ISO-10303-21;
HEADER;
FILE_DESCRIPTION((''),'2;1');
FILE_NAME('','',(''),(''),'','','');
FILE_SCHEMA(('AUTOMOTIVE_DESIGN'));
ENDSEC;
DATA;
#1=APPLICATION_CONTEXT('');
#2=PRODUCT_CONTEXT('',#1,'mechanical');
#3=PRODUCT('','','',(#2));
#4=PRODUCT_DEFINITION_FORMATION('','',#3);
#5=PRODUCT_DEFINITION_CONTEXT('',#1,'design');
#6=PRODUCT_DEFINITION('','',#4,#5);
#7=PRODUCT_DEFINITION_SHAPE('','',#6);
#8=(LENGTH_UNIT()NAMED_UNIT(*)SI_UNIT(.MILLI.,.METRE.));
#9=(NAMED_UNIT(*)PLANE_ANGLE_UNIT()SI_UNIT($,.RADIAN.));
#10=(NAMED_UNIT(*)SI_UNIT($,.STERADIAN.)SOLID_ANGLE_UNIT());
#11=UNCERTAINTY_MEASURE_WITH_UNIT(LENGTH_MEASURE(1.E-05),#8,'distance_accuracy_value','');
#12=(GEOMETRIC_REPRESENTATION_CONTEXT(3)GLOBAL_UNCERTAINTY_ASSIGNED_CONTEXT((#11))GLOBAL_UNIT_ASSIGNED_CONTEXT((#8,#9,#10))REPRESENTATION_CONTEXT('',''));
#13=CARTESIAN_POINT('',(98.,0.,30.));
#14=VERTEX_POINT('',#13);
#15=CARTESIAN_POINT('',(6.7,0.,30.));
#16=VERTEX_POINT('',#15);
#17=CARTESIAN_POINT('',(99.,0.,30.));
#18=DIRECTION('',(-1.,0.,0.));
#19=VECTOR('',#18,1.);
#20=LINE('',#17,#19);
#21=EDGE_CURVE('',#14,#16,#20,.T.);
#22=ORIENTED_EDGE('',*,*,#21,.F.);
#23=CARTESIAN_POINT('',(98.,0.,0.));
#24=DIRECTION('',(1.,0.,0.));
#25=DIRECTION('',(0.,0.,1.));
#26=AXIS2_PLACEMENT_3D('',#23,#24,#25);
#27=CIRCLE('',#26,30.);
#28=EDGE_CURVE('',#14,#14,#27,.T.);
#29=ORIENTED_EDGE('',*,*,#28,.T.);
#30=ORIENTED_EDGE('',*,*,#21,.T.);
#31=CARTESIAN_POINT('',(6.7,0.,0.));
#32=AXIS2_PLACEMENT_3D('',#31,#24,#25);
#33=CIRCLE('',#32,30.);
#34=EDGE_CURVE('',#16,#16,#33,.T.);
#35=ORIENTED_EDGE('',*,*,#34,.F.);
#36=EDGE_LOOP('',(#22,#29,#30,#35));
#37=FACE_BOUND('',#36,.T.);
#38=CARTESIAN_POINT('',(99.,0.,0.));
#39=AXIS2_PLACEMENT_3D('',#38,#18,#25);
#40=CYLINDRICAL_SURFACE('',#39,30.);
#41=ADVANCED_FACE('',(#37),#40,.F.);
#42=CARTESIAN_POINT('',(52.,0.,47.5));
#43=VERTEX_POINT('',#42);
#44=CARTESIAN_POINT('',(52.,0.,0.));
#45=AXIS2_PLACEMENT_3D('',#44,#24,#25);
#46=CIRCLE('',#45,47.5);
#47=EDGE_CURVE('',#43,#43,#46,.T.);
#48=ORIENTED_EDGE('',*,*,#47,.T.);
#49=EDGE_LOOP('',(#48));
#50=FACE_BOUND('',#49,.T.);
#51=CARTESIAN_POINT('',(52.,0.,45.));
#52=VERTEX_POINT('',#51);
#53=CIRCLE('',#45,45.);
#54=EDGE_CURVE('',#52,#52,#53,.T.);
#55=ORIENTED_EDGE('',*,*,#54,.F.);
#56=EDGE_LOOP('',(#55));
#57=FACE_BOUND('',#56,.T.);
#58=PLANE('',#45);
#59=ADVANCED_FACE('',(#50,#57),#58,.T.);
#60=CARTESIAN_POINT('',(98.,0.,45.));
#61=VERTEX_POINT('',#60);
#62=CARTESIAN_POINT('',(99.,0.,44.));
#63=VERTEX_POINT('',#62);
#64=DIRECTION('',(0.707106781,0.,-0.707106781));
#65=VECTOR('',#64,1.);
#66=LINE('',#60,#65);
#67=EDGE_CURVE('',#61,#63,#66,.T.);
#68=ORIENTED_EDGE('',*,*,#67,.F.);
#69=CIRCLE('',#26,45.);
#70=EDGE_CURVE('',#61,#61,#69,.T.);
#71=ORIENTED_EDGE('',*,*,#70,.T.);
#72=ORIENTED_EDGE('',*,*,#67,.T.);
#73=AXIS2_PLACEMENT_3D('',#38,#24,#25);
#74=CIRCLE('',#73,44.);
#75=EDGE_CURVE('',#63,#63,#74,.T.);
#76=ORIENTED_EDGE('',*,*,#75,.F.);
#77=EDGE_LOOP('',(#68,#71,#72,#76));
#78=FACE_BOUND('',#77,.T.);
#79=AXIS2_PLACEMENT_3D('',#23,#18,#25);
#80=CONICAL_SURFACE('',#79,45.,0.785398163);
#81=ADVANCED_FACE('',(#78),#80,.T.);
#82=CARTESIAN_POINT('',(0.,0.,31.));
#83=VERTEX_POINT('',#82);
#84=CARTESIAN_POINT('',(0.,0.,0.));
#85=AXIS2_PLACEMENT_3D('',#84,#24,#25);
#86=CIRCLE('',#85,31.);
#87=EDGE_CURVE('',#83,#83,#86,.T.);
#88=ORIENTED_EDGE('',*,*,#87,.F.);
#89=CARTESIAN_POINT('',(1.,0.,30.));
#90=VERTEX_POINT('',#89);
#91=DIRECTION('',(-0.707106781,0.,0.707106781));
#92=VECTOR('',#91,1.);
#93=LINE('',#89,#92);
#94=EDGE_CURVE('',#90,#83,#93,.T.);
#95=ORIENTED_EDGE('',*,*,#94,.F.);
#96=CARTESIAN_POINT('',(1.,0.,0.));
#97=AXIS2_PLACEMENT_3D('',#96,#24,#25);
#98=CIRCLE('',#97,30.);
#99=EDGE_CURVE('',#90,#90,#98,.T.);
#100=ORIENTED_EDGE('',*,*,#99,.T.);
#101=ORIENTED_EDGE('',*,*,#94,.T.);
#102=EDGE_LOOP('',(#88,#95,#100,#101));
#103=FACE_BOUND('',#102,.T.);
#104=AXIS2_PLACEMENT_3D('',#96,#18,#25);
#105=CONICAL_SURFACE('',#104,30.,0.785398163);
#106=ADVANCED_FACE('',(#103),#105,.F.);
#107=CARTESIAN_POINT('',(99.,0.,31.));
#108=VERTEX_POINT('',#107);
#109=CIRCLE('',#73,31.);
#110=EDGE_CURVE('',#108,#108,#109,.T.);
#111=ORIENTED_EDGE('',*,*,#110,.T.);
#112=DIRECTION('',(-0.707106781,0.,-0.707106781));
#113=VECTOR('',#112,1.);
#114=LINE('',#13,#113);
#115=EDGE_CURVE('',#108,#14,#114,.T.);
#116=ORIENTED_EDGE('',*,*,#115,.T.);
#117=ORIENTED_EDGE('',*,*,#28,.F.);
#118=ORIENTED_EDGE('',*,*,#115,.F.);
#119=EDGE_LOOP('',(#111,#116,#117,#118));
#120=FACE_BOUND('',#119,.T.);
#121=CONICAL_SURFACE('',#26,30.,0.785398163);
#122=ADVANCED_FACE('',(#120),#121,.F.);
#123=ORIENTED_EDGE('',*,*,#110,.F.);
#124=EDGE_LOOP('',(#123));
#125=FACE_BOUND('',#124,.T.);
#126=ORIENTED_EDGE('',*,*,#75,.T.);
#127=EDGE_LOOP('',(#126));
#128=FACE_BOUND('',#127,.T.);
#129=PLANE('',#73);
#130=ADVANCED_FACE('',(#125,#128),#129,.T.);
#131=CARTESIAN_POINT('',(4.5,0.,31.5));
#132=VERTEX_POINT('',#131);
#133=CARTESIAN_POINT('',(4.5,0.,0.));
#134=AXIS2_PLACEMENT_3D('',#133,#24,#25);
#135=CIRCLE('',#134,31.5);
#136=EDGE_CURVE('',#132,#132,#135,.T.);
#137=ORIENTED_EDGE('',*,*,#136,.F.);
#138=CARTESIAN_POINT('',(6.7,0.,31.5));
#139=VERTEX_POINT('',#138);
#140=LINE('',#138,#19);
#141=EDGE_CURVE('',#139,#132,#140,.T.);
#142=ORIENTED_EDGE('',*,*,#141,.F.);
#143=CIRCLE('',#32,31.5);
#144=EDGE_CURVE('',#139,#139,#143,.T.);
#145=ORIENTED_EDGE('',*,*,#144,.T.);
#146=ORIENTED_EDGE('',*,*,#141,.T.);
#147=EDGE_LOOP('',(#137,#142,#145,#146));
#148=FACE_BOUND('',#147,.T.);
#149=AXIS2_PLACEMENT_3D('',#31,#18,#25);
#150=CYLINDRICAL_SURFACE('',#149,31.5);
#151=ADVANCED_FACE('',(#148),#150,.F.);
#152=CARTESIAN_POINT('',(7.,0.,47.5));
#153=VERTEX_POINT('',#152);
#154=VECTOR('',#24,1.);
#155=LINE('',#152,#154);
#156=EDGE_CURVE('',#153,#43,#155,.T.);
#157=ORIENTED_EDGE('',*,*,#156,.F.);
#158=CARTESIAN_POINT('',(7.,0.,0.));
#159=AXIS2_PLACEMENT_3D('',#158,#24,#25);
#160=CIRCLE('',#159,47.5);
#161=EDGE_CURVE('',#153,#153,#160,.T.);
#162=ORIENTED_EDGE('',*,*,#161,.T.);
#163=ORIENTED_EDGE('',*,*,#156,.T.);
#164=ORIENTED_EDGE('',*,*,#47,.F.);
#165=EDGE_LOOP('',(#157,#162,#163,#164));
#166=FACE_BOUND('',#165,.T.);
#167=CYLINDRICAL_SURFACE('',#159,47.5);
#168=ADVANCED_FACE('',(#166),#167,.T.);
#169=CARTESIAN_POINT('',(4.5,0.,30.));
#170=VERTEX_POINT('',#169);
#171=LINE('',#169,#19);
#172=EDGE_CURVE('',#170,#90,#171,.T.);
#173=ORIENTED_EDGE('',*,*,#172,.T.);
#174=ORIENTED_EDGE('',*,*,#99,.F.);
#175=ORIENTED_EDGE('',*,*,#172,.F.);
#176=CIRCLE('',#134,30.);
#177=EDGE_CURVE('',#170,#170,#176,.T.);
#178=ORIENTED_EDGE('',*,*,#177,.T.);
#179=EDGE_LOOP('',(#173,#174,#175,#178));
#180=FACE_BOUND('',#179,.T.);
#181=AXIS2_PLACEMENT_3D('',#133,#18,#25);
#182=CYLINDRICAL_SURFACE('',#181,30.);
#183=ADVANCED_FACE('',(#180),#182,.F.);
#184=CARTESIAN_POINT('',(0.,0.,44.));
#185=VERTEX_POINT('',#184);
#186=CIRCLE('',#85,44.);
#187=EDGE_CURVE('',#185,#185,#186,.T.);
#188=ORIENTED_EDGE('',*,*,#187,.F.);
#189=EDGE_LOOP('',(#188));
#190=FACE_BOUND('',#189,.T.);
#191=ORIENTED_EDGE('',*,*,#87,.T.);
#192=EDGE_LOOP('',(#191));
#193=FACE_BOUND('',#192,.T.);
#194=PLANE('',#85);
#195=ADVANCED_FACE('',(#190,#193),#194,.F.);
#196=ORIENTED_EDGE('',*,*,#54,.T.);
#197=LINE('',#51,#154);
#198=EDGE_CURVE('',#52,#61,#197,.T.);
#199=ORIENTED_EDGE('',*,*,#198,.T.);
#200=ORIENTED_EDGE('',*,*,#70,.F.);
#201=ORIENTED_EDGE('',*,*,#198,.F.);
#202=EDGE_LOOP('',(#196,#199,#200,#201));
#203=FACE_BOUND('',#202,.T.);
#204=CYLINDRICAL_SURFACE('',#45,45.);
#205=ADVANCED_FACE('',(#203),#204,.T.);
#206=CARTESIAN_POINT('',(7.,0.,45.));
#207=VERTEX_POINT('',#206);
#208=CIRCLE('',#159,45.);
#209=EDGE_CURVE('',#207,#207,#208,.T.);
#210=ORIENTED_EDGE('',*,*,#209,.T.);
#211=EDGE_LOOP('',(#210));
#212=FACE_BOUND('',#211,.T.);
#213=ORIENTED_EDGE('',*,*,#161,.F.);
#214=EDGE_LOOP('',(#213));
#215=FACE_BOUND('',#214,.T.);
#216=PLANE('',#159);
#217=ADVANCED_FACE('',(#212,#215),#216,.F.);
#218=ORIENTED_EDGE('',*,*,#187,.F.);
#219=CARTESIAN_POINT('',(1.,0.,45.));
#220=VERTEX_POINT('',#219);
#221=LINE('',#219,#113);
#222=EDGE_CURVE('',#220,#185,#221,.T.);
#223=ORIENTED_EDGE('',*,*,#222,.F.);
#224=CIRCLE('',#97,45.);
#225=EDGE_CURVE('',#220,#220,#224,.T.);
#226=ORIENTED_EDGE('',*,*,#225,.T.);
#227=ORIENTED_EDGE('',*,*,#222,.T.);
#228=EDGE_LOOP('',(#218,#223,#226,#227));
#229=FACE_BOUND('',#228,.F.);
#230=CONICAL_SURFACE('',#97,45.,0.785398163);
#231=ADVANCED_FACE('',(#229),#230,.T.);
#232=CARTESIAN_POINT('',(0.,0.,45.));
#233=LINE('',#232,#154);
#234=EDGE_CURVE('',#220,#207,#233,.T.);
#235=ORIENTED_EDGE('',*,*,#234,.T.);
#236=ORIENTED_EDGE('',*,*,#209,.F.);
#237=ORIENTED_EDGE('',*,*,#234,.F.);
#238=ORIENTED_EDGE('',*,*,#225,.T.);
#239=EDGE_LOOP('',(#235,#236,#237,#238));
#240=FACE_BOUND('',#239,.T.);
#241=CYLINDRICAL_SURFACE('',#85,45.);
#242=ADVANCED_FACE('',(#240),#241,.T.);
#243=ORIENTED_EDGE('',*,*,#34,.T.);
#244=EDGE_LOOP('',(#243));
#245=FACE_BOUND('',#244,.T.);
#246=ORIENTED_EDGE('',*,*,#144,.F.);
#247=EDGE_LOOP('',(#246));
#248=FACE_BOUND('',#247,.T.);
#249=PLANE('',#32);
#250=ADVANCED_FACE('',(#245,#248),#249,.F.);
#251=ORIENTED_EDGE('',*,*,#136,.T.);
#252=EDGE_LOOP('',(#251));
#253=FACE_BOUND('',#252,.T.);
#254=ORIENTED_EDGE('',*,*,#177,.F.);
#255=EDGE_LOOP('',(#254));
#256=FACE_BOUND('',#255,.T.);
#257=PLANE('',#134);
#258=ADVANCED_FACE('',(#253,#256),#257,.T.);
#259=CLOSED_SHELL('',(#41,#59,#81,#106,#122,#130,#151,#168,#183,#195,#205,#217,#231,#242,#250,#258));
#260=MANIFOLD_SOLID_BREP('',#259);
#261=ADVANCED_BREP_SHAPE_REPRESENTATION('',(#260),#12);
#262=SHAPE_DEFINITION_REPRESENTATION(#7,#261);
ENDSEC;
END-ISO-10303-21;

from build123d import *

# Parameters (mm, degrees)
CHAMFER_1_SIZE = 1


with BuildPart() as part:
    # 草图1 → 旋转1 (revolve)
    with BuildSketch(Plane.XY, mode=Mode.PRIVATE) as revolve_1_sk:
        Polygon((0, 45), (7, 45), (7, 47.5), (52, 47.5), (52, 45), (99, 45), (99, 30), (6.7, 30), (6.7, 31.5), (4.5, 31.5), (4.5, 30), (0, 30), align=None)
    revolve(revolve_1_sk.sketch.rotate(Axis((0, 0, 0), (1, 0, 0)), 90), axis=Axis((0, 0, 0), (1, 0, 0)))

    # 倒角1
    chamfer_1_edges = [part.edges().sort_by_distance(p)[0] for p in [
        (99, 0, -45),
        (99, 0, -30),
        (0, 0, -30),
        (0, 0, -45),
    ]]
    chamfer(chamfer_1_edges, length=CHAMFER_1_SIZE)


solid = part.part
